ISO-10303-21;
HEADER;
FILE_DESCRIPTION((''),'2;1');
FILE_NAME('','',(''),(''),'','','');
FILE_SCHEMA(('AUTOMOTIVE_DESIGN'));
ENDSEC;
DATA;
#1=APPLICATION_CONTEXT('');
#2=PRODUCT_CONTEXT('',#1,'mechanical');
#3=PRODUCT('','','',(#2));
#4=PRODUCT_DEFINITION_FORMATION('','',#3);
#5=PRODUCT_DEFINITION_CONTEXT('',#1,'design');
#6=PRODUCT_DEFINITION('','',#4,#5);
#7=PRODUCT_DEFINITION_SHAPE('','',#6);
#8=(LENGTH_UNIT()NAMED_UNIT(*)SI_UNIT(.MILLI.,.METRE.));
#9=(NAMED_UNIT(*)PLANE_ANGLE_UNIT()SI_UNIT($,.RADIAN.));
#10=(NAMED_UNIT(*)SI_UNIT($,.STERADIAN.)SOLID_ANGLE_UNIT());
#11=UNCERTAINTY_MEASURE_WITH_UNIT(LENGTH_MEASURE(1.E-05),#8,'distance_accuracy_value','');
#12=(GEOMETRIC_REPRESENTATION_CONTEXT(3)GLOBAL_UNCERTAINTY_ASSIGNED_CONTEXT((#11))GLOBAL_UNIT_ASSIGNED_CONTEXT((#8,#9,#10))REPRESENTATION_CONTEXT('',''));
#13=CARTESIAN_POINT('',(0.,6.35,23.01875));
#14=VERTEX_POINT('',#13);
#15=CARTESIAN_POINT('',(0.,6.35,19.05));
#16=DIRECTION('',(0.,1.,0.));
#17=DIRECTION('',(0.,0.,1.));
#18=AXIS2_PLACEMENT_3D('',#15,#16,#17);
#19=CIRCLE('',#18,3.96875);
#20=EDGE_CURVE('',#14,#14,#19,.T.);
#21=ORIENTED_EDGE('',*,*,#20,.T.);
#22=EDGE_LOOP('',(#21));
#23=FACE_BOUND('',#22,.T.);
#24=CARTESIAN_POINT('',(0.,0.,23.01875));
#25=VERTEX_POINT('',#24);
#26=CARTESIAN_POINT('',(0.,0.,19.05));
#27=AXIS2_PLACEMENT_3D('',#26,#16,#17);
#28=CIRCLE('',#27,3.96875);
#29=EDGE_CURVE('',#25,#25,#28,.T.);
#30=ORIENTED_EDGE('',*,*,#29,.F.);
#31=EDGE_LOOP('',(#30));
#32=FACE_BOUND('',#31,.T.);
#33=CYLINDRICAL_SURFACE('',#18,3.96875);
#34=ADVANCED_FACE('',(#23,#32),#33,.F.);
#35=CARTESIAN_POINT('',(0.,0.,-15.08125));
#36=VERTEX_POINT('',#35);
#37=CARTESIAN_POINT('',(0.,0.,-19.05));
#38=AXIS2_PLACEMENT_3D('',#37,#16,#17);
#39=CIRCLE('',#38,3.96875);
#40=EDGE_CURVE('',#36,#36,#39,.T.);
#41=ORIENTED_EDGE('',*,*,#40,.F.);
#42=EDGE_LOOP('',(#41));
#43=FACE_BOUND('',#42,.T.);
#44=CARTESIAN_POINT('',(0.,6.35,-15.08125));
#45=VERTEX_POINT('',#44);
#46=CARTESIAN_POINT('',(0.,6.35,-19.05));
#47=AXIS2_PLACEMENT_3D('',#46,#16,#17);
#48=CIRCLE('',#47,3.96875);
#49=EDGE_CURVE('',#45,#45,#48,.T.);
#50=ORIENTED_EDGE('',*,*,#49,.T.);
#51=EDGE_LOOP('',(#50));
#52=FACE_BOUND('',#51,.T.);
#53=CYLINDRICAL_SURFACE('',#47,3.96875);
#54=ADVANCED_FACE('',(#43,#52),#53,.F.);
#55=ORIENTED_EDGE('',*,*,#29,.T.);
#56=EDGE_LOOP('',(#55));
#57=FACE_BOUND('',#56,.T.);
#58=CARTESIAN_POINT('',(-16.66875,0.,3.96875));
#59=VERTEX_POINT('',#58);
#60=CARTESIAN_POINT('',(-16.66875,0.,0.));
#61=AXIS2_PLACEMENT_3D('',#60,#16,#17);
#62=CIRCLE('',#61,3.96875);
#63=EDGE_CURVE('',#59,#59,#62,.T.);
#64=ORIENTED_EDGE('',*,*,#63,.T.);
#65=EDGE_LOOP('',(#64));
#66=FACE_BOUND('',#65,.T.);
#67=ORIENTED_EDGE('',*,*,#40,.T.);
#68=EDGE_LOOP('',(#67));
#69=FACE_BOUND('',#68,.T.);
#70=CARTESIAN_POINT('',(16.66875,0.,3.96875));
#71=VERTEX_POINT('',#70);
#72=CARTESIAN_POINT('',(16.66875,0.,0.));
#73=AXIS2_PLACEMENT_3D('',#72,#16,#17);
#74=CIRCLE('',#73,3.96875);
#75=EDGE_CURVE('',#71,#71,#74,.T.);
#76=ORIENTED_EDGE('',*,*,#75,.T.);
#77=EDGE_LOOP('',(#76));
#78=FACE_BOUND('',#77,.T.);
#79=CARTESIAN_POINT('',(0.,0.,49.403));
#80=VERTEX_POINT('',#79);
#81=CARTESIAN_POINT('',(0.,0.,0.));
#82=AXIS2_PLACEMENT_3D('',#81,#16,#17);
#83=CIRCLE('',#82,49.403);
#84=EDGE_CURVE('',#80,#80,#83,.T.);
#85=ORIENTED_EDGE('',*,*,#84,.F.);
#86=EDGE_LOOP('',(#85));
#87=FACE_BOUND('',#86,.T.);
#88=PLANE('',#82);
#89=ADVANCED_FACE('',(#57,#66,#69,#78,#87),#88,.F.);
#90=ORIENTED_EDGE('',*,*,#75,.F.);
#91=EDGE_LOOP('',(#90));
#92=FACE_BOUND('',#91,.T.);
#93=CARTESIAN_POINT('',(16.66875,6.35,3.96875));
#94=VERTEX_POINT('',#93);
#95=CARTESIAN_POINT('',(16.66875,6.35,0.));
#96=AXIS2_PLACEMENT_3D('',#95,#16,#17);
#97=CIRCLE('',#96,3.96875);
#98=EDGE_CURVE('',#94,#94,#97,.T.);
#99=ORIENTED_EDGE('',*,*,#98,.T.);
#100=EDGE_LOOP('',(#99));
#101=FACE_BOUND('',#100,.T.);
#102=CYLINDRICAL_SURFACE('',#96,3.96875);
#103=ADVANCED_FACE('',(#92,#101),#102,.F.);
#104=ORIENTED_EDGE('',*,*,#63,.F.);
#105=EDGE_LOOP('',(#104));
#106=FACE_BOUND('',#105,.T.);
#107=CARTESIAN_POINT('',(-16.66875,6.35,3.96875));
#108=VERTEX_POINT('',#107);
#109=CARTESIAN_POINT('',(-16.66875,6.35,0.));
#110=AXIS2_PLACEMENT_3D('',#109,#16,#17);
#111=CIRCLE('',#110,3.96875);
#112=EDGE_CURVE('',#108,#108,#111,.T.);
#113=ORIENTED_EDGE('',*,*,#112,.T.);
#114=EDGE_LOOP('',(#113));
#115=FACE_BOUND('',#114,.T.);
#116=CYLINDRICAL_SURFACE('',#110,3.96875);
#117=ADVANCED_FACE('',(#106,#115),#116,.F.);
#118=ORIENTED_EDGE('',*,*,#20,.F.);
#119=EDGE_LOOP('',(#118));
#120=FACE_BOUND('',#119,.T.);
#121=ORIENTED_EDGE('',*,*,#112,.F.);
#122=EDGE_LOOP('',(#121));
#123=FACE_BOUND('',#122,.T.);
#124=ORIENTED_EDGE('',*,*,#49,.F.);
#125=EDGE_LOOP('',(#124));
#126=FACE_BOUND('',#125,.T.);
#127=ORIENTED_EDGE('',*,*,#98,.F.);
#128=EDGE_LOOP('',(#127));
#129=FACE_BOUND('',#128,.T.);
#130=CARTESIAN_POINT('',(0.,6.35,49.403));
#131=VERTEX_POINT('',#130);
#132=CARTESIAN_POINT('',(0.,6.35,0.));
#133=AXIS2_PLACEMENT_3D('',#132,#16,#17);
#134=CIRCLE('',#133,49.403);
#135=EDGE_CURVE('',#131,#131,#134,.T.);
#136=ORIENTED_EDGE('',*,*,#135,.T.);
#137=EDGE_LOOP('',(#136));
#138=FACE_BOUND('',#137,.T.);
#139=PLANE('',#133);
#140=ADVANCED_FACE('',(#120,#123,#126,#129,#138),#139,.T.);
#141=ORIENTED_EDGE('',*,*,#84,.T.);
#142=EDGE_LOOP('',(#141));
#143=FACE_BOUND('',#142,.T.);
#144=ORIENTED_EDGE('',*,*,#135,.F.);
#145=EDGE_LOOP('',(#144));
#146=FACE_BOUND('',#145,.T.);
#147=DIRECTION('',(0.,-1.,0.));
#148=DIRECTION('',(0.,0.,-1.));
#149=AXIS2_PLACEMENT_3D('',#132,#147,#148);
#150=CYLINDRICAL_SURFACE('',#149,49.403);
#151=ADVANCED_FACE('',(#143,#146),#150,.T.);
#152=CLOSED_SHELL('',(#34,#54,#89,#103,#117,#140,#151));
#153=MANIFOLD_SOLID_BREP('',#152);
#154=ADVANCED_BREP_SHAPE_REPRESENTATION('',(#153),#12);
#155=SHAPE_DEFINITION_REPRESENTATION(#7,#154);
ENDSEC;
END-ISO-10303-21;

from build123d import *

# Parameters (mm, degrees)
SKETCH1_R            = 49.403
BOSS_EXTRUDE1_DEPTH  = 6.35
THREADED_ROD_HOLES_D = 7.9375
U_BOLT_HOLES_D       = 7.9375


with BuildPart() as part:
    # Sketch1 → Boss-Extrude1 (new body)
    with BuildSketch(Plane(origin=(0, 0, 0), x_dir=(1, 0, 0), z_dir=(0, 1, 0))):
        Circle(SKETCH1_R)
    extrude(amount=BOSS_EXTRUDE1_DEPTH)

    # Threaded Rod Holes (through all)
    with Locations(Plane(origin=(0, 6.35, 0), x_dir=(1, 0, 0), z_dir=(0, 1, 0))):
        with Locations((0, 19.05), (0, -19.05)):
            Hole(THREADED_ROD_HOLES_D / 2)

    # U-Bolt Holes (through all)
    with Locations(Plane(origin=(0, 6.35, 0), x_dir=(1, 0, 0), z_dir=(0, 1, 0))):
        with Locations((-16.66875, 0), (16.66875, 0)):
            Hole(U_BOLT_HOLES_D / 2)


solid = part.part
